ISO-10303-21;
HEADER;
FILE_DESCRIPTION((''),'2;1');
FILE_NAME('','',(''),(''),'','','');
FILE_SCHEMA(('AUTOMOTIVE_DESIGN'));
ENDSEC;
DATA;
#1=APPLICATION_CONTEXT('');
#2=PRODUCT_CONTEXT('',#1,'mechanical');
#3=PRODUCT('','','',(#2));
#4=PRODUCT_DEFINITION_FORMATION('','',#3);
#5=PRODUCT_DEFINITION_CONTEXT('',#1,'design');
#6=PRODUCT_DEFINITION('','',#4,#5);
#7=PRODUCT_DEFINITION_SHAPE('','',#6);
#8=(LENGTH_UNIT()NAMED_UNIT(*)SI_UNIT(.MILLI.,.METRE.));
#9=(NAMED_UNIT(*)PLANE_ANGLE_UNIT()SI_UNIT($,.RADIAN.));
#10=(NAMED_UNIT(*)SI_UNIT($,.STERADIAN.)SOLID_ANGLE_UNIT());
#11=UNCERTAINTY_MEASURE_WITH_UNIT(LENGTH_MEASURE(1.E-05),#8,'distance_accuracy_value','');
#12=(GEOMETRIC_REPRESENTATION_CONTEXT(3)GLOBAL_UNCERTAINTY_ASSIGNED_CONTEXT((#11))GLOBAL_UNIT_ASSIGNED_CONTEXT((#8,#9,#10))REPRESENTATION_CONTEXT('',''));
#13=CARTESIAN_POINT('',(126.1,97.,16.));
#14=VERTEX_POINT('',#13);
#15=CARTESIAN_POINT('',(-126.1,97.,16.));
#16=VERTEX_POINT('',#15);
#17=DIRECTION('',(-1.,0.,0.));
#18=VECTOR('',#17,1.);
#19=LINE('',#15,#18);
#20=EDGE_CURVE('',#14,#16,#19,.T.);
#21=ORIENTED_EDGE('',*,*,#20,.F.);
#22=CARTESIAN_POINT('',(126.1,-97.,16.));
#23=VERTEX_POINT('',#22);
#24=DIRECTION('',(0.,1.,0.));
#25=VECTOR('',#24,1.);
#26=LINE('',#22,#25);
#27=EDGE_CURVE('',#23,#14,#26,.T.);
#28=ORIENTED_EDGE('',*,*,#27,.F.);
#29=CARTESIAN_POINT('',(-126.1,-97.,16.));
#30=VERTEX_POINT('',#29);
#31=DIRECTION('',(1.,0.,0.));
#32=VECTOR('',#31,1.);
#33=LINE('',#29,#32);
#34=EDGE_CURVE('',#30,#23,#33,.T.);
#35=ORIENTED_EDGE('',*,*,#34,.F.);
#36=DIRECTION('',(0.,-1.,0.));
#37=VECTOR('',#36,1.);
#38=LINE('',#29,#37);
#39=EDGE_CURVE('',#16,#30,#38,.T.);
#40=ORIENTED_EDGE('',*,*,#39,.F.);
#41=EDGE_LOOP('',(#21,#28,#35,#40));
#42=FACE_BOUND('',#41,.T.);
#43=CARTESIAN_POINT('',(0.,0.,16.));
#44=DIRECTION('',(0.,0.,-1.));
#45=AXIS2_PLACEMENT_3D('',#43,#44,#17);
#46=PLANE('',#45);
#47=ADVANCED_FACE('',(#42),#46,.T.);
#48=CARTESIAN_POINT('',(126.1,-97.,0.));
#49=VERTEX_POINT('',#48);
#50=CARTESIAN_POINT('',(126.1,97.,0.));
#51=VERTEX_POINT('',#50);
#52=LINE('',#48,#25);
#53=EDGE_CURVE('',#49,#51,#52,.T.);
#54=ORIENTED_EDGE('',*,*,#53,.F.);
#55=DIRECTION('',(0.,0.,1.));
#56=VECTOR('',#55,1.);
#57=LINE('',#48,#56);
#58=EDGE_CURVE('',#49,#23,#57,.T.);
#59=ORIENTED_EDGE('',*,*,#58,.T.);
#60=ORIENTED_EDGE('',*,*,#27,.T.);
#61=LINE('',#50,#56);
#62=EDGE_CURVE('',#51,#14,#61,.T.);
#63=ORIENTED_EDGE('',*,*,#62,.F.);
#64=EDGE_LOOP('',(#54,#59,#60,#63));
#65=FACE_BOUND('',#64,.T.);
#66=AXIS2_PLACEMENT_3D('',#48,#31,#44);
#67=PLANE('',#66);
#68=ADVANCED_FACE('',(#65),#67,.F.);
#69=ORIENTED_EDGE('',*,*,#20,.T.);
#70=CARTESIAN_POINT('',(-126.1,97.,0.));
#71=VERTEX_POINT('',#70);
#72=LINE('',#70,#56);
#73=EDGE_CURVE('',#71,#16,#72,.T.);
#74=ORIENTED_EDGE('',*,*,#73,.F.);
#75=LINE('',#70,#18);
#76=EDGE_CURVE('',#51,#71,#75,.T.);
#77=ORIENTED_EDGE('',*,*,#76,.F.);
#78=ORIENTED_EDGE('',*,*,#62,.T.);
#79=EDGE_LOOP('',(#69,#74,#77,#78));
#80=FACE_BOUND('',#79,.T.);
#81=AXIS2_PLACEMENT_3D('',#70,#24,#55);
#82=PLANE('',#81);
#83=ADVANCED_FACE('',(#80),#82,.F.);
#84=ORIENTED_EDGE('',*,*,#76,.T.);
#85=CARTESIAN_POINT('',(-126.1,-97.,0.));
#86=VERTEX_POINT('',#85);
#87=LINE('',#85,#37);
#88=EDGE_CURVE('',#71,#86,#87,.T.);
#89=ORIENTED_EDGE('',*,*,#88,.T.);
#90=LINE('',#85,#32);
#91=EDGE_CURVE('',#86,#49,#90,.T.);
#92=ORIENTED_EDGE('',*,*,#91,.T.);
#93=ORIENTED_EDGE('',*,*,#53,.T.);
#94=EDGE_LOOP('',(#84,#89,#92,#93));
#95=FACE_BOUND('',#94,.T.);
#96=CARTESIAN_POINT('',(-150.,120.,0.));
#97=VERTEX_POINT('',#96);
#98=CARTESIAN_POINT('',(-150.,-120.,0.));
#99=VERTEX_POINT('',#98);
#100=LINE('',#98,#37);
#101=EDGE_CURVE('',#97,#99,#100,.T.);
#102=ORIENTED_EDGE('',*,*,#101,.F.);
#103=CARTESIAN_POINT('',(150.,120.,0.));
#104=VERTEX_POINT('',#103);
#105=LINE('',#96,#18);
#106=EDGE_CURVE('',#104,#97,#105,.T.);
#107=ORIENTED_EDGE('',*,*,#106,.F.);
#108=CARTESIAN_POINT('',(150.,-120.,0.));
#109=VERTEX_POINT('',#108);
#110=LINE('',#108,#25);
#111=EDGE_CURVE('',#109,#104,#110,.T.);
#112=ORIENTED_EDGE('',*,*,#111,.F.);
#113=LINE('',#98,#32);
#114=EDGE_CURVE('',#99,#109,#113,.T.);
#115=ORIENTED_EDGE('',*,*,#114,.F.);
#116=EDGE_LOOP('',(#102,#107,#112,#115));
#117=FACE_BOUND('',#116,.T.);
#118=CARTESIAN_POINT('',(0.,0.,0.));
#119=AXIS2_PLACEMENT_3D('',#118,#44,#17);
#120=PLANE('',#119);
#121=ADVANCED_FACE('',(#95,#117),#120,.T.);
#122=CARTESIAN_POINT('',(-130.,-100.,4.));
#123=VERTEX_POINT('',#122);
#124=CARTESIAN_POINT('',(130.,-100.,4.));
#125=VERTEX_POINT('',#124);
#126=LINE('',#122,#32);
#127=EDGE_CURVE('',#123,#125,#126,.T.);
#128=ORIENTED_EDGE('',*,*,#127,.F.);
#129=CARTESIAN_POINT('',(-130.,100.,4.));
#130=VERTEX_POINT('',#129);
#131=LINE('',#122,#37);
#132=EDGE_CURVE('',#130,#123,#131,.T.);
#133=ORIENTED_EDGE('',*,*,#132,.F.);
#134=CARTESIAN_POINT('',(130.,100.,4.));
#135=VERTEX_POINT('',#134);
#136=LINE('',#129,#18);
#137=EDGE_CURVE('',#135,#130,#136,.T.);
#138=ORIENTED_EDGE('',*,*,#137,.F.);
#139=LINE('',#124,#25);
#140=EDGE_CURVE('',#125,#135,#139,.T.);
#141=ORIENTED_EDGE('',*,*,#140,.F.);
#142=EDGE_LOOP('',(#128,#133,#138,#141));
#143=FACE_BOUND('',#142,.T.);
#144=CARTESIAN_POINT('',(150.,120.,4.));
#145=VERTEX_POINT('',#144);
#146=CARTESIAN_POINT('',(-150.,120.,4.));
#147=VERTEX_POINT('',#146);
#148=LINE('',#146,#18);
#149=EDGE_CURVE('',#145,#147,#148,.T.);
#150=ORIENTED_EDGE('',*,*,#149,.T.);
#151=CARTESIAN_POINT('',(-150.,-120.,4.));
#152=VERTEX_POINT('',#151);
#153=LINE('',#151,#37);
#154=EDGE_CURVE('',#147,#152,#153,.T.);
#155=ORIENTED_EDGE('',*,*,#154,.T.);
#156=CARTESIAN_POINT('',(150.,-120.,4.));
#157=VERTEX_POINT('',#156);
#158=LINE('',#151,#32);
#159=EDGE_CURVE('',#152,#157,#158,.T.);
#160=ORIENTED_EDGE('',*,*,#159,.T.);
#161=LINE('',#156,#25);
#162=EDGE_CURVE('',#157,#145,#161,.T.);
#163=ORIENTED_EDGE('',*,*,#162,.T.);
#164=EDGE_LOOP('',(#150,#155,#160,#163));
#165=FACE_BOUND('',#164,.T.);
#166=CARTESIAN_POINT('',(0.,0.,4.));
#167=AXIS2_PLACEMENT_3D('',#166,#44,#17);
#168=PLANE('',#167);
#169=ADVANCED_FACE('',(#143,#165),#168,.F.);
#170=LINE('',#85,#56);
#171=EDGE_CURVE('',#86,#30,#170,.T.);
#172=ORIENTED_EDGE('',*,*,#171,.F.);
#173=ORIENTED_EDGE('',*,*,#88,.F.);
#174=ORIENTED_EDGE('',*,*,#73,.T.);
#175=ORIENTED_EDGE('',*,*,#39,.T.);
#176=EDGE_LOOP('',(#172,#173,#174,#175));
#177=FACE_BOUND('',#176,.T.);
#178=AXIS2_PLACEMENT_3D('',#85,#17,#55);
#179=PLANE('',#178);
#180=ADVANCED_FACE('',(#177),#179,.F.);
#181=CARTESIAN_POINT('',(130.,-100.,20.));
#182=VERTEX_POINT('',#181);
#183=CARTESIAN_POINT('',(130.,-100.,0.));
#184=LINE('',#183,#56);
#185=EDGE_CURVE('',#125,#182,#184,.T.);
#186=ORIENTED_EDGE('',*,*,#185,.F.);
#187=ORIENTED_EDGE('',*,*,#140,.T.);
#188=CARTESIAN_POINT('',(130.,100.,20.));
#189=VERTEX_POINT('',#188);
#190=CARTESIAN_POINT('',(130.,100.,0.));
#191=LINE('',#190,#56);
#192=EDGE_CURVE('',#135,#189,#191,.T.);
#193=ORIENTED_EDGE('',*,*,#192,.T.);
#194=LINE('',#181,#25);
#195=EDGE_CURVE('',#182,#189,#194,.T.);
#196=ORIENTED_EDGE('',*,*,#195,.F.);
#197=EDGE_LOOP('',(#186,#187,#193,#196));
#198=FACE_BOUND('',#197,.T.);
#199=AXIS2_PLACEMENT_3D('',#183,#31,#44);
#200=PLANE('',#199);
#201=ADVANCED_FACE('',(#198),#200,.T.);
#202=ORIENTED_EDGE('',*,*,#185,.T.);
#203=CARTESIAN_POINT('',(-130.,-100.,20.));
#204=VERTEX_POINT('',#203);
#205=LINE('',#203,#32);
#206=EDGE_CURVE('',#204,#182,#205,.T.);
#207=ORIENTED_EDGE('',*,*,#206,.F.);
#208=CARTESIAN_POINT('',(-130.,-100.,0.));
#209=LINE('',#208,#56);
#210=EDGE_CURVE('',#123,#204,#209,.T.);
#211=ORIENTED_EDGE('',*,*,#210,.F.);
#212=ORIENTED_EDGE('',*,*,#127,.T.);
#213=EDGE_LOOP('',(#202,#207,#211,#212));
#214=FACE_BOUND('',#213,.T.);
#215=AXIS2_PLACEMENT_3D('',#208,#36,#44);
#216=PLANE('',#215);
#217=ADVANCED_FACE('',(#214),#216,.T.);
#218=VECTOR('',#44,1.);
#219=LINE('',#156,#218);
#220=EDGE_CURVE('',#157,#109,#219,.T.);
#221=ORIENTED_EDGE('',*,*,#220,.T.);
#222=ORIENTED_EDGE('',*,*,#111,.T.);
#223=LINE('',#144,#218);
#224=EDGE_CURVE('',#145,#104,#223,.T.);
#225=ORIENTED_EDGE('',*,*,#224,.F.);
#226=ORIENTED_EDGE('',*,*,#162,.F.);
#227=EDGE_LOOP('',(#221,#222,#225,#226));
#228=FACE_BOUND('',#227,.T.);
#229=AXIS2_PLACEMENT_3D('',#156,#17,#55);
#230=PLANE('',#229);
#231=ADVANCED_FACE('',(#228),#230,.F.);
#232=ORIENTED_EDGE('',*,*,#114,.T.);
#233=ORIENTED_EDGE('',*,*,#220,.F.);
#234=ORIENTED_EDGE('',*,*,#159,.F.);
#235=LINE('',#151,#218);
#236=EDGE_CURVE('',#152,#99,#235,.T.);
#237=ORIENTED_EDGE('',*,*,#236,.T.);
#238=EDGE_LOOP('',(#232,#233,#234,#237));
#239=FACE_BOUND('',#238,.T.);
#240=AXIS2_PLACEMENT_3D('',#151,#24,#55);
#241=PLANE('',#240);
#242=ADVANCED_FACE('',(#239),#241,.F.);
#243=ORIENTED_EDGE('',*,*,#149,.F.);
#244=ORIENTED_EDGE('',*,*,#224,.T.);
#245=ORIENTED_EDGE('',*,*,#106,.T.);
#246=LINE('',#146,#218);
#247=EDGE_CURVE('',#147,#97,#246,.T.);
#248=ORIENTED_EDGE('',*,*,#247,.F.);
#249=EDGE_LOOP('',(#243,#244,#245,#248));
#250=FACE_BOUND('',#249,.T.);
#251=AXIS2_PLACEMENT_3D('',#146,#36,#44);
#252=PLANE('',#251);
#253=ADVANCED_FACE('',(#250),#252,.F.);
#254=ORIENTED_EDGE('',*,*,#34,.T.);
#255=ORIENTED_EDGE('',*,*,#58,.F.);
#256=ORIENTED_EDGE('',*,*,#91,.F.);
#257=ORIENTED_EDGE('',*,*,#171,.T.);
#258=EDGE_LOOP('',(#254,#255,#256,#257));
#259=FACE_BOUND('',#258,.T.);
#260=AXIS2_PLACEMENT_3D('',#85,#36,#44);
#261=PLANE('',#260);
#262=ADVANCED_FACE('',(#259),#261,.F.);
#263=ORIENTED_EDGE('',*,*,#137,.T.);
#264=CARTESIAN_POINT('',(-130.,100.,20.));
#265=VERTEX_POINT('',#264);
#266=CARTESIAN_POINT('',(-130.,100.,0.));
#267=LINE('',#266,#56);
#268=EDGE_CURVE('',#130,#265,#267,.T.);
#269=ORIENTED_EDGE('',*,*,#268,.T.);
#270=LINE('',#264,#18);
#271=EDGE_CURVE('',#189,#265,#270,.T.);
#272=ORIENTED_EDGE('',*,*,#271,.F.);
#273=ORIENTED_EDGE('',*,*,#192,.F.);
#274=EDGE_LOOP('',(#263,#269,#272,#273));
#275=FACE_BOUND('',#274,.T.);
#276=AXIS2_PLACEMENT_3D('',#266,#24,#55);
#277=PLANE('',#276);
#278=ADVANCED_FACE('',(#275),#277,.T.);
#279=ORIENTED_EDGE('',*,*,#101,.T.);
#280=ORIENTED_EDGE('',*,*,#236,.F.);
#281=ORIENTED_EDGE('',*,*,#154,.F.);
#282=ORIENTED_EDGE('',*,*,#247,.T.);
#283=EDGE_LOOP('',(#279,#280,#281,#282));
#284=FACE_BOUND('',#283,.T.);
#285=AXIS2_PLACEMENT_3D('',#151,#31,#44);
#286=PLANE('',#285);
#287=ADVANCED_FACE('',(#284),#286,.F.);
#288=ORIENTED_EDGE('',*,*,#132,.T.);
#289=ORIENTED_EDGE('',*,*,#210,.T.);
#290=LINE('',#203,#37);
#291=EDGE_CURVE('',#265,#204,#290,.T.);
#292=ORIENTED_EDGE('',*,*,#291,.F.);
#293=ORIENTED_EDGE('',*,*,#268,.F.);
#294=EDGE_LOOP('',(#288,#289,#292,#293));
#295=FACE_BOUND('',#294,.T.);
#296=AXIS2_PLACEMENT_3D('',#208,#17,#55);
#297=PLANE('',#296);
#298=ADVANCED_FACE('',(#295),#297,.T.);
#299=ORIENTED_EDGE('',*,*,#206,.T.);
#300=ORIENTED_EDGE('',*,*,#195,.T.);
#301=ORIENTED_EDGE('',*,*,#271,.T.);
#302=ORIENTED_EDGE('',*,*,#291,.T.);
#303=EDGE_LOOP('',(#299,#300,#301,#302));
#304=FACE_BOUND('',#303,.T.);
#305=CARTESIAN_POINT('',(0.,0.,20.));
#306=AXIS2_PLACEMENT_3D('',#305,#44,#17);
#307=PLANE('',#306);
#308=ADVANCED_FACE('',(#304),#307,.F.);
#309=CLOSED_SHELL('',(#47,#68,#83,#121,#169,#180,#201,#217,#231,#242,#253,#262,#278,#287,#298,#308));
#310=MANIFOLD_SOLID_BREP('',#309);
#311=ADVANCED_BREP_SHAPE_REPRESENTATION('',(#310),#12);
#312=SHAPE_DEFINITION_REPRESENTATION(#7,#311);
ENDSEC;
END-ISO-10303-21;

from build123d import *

# Parameters (mm, degrees)
SKETCH1_W                = 300
SKETCH1_H                = 240
SKETCH1_W_2              = 260
SKETCH1_H_2              = 200
BOSS_EXTRUDE1_DEPTH      = 4
SKETCH2_W                = 260
SKETCH2_H                = 200
SKETCH2_W_2              = 252.2
SKETCH2_H_2              = 194
BOSS_EXTRUDE3_DEPTH      = 16
BOSS_EXTRUDE3_DEPTH_BACK = 4
SKETCH4_W                = 252.2
SKETCH4_H                = 194
BOSS_EXTRUDE4_DEPTH      = 4


with BuildPart() as part:
    # Sketch1 → Boss-Extrude1 (new body)
    with BuildSketch(Plane.XY):
        Rectangle(SKETCH1_W, SKETCH1_H)
        Rectangle(SKETCH1_W_2, SKETCH1_H_2, mode=Mode.SUBTRACT)
    extrude(amount=BOSS_EXTRUDE1_DEPTH)

    # Sketch2 → Boss-Extrude3 (add, two sides)
    with BuildSketch(Plane.XY.offset(4)) as boss_extrude3_sk:
        Rectangle(SKETCH2_W, SKETCH2_H)
        Rectangle(SKETCH2_W_2, SKETCH2_H_2, mode=Mode.SUBTRACT)
    extrude(amount=BOSS_EXTRUDE3_DEPTH)
    extrude(boss_extrude3_sk.sketch, amount=-BOSS_EXTRUDE3_DEPTH_BACK)

    # Sketch4 → Boss-Extrude4 (add)
    with BuildSketch(Plane.XY.offset(20)):
        Rectangle(SKETCH4_W, SKETCH4_H)
    extrude(amount=-BOSS_EXTRUDE4_DEPTH)


solid = part.part
